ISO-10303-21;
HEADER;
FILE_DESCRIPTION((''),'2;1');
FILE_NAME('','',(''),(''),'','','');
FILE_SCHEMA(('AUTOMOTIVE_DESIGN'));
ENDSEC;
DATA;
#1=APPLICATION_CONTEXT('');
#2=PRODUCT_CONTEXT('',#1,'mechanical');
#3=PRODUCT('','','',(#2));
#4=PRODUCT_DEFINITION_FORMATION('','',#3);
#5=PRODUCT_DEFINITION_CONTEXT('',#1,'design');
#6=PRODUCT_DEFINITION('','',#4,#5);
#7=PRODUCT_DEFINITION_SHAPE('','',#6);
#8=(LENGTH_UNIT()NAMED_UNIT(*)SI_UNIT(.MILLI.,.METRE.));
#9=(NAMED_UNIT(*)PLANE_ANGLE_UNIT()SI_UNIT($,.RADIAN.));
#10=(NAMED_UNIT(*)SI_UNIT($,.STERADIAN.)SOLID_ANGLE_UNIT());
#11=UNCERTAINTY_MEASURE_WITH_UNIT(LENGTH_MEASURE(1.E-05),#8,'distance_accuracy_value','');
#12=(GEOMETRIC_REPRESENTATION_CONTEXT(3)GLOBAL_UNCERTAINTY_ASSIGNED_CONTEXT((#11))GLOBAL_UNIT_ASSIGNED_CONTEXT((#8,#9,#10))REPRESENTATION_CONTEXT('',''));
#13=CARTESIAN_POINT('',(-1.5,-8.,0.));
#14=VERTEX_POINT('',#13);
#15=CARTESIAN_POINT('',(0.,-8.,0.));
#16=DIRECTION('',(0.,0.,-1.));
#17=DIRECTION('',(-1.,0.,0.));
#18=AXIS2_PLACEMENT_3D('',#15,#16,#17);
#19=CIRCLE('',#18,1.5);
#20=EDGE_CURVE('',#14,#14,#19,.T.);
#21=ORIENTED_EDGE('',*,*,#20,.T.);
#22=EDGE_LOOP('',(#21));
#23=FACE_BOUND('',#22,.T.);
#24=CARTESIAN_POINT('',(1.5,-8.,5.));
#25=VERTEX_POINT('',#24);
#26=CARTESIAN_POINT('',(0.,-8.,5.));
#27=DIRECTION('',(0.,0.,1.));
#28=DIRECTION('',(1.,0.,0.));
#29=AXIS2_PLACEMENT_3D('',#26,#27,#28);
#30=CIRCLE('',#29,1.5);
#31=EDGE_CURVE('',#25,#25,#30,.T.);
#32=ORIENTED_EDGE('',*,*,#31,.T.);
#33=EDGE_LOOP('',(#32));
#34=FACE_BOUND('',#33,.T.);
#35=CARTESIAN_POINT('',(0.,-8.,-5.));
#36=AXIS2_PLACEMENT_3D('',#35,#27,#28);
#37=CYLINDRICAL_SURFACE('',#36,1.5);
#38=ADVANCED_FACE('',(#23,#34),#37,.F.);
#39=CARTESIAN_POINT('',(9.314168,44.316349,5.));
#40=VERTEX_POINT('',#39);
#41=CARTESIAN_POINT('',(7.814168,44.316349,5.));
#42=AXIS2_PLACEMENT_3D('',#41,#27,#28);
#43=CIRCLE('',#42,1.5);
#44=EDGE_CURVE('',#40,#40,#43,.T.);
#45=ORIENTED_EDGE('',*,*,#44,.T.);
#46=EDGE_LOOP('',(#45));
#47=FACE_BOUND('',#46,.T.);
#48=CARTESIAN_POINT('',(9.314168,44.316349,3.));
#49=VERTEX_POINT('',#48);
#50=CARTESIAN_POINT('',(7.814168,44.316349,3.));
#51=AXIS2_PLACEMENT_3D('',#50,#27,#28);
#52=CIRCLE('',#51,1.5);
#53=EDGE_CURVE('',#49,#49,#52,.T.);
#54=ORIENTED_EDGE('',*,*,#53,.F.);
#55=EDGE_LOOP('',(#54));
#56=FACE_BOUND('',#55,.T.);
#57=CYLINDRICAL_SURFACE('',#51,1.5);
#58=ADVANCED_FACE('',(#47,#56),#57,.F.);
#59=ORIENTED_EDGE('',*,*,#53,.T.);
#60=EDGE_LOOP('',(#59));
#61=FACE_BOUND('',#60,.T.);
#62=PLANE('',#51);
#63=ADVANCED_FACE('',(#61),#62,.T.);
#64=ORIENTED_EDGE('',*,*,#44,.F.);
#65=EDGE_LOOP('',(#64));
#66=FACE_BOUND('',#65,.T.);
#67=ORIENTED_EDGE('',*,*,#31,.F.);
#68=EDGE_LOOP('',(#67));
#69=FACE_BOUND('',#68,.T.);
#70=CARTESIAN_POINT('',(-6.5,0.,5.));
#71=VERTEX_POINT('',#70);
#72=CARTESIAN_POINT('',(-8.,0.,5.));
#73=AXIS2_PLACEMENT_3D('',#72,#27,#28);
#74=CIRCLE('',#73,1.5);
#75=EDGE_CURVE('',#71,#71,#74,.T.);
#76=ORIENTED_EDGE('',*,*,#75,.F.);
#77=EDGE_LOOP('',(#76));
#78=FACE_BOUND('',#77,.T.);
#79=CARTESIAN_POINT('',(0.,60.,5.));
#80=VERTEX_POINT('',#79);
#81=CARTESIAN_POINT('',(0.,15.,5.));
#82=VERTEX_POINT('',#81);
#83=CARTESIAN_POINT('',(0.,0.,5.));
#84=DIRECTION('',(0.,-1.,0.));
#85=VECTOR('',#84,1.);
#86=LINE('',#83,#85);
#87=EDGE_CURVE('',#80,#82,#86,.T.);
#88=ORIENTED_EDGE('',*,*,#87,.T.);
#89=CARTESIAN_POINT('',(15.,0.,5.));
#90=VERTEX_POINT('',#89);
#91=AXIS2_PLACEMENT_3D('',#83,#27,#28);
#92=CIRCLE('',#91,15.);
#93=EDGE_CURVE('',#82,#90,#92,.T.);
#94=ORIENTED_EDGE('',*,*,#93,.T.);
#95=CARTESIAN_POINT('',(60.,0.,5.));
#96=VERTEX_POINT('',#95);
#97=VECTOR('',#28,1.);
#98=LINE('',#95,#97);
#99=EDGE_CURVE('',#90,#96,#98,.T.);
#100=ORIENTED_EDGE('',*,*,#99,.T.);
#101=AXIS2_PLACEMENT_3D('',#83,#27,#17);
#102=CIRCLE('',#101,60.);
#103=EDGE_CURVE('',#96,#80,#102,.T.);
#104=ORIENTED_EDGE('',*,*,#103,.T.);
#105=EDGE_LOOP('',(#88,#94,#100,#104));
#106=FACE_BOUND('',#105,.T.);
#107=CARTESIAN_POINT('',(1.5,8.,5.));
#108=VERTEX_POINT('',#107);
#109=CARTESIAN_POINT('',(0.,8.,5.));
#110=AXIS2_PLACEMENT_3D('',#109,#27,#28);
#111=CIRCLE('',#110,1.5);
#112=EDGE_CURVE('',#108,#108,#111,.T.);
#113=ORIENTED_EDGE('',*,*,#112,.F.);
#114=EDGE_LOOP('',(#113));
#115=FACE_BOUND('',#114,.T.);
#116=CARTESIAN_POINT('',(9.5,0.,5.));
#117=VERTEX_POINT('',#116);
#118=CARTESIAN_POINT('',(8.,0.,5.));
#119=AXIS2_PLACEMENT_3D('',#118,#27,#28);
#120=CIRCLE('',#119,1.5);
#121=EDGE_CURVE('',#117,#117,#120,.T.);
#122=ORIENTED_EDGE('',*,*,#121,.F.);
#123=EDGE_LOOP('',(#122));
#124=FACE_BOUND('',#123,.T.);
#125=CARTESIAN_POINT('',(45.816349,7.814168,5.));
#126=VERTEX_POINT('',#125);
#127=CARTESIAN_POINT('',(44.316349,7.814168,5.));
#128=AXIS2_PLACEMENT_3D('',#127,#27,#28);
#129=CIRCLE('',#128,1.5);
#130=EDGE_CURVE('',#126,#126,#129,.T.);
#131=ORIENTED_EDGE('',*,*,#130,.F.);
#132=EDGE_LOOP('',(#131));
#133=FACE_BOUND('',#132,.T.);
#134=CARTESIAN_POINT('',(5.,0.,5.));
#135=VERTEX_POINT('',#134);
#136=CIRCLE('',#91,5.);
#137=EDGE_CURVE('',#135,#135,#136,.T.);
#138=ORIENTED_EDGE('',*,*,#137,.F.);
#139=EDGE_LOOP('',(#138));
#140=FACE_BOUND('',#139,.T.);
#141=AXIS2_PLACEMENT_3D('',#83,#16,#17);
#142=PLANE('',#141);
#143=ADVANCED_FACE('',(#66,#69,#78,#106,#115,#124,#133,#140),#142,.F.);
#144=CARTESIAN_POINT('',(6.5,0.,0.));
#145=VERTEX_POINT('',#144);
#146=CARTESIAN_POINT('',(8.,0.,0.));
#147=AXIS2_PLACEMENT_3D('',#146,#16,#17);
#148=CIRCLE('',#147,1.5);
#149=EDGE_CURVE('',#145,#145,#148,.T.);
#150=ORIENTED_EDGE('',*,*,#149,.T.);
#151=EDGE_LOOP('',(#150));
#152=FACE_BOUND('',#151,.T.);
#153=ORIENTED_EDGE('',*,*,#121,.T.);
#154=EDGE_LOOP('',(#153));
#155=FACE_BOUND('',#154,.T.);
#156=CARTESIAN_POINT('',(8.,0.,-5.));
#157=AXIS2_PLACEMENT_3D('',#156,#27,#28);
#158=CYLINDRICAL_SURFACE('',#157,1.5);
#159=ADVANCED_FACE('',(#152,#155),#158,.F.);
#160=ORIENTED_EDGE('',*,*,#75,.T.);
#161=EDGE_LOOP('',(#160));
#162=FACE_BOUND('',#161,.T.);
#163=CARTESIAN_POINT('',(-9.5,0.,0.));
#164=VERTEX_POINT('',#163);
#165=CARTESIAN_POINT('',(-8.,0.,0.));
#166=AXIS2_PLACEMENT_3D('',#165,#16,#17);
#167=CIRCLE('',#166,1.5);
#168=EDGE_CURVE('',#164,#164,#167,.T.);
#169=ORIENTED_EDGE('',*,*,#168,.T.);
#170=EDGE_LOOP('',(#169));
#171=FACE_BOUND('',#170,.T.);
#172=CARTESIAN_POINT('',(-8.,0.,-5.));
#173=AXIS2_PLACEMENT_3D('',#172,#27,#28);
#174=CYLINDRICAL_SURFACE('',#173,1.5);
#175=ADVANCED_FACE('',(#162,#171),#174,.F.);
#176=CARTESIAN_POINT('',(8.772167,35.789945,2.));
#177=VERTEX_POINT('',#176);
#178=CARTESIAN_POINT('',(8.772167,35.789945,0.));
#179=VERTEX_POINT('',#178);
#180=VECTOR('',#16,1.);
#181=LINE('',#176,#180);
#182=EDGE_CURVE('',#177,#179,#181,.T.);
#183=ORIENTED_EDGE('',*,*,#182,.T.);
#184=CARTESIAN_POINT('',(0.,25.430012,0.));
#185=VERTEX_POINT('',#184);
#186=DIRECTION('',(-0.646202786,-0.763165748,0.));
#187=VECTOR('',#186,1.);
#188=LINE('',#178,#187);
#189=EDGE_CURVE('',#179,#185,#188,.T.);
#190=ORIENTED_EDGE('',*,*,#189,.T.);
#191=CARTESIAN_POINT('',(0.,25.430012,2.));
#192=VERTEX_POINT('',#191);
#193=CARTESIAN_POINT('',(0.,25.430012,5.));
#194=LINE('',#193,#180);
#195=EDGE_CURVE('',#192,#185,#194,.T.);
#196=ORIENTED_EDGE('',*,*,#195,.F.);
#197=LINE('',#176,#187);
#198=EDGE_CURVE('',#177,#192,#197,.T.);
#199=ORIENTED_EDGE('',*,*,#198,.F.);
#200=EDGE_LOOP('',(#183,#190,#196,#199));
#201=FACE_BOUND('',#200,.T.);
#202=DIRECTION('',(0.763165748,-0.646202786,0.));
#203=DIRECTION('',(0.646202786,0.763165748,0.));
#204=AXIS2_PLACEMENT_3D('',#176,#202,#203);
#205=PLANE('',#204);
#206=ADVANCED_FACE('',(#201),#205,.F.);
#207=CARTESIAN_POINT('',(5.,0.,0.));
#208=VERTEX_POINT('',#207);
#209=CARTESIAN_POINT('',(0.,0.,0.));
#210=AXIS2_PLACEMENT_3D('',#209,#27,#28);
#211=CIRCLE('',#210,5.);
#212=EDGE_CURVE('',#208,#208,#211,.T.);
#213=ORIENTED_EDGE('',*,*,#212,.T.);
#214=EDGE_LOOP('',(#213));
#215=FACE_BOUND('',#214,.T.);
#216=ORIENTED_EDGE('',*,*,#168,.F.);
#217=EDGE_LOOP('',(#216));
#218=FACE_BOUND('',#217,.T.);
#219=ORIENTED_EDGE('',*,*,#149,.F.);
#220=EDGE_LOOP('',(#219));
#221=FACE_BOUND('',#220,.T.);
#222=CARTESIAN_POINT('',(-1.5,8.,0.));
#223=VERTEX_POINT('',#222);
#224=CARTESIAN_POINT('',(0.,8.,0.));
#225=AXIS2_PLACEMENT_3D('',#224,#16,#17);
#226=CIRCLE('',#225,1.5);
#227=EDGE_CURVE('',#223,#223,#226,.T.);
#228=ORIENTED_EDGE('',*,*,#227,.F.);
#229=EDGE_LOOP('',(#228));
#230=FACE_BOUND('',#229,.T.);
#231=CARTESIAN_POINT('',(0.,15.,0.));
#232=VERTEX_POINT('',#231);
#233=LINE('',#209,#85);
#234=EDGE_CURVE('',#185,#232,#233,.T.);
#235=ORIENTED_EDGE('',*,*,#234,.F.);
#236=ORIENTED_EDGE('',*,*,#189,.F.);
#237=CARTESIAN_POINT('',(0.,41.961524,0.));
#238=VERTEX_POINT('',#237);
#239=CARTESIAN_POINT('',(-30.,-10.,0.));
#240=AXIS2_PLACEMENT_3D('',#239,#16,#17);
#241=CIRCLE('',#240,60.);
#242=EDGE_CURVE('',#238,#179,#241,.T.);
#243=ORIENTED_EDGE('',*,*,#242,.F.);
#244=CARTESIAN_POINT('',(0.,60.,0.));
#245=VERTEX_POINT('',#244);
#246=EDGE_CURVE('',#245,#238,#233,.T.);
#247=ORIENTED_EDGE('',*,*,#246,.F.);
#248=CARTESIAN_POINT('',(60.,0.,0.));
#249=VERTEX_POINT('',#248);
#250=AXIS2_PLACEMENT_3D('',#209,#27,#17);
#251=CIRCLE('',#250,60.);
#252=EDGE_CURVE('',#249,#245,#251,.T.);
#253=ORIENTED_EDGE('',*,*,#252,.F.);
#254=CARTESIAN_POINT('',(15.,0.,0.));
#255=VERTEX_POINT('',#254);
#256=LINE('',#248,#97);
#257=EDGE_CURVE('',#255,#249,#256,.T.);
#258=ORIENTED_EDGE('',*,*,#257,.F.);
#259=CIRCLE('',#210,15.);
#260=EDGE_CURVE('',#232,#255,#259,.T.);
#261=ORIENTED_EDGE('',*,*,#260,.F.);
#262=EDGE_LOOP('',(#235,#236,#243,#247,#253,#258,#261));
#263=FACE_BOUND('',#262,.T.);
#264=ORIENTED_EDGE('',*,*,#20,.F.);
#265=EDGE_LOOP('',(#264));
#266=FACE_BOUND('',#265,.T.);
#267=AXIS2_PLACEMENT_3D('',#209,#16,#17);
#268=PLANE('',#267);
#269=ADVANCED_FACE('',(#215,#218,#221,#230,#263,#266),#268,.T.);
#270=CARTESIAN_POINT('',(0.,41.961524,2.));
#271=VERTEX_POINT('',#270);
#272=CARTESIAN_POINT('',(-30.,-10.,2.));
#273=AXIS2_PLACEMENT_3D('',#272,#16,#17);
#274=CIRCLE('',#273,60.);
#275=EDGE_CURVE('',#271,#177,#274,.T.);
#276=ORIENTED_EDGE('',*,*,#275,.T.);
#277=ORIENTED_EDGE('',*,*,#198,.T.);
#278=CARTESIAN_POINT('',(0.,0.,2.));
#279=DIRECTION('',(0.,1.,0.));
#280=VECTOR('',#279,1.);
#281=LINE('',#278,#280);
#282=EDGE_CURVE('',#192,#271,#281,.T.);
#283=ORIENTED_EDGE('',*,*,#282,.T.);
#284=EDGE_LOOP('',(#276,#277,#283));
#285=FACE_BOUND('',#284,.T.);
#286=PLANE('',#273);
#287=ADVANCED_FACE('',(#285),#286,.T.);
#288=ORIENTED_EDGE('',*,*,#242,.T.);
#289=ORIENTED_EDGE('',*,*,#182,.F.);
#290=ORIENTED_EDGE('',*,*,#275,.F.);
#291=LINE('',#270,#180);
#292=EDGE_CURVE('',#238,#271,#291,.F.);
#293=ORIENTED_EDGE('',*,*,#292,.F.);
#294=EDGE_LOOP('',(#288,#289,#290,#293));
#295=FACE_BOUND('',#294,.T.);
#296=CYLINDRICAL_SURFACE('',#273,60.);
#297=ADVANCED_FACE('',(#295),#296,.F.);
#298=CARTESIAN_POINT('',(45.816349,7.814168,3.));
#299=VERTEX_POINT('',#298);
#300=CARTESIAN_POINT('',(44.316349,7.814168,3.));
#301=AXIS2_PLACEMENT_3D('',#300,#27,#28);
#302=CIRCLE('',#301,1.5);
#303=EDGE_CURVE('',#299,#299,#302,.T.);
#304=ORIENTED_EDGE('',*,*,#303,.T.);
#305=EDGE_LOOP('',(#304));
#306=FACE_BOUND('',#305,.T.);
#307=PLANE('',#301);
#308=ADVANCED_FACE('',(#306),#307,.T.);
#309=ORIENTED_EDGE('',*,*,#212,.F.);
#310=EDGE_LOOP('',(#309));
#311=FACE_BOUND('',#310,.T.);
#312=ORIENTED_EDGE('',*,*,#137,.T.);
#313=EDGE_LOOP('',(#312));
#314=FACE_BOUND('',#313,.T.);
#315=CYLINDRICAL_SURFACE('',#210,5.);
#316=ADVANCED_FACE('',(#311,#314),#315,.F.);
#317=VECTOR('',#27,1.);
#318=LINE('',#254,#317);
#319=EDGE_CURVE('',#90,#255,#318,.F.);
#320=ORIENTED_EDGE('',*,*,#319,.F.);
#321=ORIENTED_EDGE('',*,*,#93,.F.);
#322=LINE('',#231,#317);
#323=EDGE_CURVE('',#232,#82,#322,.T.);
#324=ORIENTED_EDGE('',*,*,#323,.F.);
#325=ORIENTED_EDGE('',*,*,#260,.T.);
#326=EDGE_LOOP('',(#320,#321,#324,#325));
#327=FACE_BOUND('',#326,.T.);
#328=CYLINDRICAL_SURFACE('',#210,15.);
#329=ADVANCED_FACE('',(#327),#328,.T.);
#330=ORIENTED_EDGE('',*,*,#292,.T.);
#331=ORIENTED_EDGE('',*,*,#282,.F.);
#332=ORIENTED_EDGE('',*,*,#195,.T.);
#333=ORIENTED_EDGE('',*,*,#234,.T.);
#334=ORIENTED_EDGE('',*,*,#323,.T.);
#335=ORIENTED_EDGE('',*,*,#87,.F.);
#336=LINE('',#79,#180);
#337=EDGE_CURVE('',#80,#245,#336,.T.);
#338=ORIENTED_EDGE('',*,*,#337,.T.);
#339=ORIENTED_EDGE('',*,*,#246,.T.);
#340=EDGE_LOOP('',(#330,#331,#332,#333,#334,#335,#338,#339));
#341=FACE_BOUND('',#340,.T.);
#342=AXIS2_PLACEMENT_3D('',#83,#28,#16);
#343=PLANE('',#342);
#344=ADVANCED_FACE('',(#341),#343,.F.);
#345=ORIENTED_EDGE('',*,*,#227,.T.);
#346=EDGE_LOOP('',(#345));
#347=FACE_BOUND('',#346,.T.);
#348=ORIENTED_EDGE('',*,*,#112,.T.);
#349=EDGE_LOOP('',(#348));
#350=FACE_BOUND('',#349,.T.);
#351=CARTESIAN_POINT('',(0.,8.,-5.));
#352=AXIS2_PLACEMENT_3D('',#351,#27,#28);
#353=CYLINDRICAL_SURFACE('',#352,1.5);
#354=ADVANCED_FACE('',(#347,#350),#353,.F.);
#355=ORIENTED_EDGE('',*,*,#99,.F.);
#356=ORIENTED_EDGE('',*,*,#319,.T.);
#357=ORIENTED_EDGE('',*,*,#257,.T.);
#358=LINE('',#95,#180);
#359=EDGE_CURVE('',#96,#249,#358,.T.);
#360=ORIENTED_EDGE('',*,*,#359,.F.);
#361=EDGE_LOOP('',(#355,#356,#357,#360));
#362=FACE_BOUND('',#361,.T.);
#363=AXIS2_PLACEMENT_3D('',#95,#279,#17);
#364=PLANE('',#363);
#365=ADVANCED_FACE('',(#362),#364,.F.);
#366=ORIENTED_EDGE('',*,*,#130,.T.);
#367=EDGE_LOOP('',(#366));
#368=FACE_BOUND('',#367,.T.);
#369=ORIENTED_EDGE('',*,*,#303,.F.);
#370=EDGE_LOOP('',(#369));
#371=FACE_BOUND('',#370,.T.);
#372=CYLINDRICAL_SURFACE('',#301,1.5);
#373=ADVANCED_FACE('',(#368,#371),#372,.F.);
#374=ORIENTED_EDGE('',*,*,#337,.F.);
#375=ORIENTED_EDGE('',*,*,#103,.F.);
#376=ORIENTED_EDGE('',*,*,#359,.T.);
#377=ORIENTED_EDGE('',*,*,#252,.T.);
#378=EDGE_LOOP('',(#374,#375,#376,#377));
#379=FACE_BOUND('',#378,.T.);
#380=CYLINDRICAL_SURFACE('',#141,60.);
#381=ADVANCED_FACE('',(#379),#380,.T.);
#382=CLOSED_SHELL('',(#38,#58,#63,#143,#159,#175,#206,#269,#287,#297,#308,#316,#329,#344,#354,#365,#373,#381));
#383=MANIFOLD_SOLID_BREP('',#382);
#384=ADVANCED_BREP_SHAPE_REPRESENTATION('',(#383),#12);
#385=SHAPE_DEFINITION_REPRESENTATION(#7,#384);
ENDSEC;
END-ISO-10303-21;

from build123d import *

# Parameters (mm, degrees)
BOSS_EXTRUDE1_DEPTH = 5
SKETCH2_R           = 15
BOSS_EXTRUDE2_DEPTH = 5
SKETCH3_R           = 5
CUT_EXTRUDE1_DEPTH  = 5
SKETCH4_R           = 1.5
CUT_EXTRUDE2_DEPTH  = 2
CUT_EXTRUDE3_DEPTH  = 2
SKETCH6_R           = 1.5
CUT_EXTRUDE4_DEPTH  = 10


with BuildPart() as part:
    # Sketch1 → Boss-Extrude1 (new body)
    with BuildSketch(Plane.XY):
        with BuildLine():
            Line((0, 0), (0, 60))
            ThreePointArc((0, 60), (42.426406871, 42.426406871), (60, 0))
            Line((60, 0), (0, 0))
        make_face()
    extrude(amount=BOSS_EXTRUDE1_DEPTH)

    # Sketch2 → Boss-Extrude2 (add)
    with BuildSketch(Plane.XY.offset(5)):
        Circle(SKETCH2_R)
    extrude(amount=-BOSS_EXTRUDE2_DEPTH)

    # Sketch3 → Cut-Extrude1 (cut)
    with BuildSketch(Plane.XY.offset(5)):
        Circle(SKETCH3_R)
    extrude(amount=-CUT_EXTRUDE1_DEPTH, mode=Mode.SUBTRACT)

    # Sketch4 → Cut-Extrude2 (cut)
    with BuildSketch(Plane.XY.offset(5)):
        with Locations((7.814167995, 44.316348886)):
            Circle(SKETCH4_R)
        with Locations((44.316348886, 7.814167995)):
            Circle(SKETCH4_R)
    extrude(amount=-CUT_EXTRUDE2_DEPTH, mode=Mode.SUBTRACT)

    # Sketch5 → Cut-Extrude3 (cut)
    with BuildSketch(Plane.XY):
        with BuildLine():
            Line((8.772167152, 35.789944904), (-0.110326549, 25.299716292))
            Line((-0.110326549, 25.299716292), (-0.035812461, 41.982184113))
            ThreePointArc((-0.035812461, 41.982184113), (4.507355312, 39.084034363), (8.772167152, 35.789944904))
        make_face()
    extrude(amount=CUT_EXTRUDE3_DEPTH, mode=Mode.SUBTRACT)

    # Sketch6 → Cut-Extrude4 (cut)
    with BuildSketch(Plane.XY.offset(5)):
        with Locations((0, 8)):
            Circle(SKETCH6_R)
        with Locations((8, 0)):
            Circle(SKETCH6_R)
        with Locations((0, -8)):
            Circle(SKETCH6_R)
        with Locations((-8, 0)):
            Circle(SKETCH6_R)
    extrude(amount=-CUT_EXTRUDE4_DEPTH, mode=Mode.SUBTRACT)


solid = part.part
